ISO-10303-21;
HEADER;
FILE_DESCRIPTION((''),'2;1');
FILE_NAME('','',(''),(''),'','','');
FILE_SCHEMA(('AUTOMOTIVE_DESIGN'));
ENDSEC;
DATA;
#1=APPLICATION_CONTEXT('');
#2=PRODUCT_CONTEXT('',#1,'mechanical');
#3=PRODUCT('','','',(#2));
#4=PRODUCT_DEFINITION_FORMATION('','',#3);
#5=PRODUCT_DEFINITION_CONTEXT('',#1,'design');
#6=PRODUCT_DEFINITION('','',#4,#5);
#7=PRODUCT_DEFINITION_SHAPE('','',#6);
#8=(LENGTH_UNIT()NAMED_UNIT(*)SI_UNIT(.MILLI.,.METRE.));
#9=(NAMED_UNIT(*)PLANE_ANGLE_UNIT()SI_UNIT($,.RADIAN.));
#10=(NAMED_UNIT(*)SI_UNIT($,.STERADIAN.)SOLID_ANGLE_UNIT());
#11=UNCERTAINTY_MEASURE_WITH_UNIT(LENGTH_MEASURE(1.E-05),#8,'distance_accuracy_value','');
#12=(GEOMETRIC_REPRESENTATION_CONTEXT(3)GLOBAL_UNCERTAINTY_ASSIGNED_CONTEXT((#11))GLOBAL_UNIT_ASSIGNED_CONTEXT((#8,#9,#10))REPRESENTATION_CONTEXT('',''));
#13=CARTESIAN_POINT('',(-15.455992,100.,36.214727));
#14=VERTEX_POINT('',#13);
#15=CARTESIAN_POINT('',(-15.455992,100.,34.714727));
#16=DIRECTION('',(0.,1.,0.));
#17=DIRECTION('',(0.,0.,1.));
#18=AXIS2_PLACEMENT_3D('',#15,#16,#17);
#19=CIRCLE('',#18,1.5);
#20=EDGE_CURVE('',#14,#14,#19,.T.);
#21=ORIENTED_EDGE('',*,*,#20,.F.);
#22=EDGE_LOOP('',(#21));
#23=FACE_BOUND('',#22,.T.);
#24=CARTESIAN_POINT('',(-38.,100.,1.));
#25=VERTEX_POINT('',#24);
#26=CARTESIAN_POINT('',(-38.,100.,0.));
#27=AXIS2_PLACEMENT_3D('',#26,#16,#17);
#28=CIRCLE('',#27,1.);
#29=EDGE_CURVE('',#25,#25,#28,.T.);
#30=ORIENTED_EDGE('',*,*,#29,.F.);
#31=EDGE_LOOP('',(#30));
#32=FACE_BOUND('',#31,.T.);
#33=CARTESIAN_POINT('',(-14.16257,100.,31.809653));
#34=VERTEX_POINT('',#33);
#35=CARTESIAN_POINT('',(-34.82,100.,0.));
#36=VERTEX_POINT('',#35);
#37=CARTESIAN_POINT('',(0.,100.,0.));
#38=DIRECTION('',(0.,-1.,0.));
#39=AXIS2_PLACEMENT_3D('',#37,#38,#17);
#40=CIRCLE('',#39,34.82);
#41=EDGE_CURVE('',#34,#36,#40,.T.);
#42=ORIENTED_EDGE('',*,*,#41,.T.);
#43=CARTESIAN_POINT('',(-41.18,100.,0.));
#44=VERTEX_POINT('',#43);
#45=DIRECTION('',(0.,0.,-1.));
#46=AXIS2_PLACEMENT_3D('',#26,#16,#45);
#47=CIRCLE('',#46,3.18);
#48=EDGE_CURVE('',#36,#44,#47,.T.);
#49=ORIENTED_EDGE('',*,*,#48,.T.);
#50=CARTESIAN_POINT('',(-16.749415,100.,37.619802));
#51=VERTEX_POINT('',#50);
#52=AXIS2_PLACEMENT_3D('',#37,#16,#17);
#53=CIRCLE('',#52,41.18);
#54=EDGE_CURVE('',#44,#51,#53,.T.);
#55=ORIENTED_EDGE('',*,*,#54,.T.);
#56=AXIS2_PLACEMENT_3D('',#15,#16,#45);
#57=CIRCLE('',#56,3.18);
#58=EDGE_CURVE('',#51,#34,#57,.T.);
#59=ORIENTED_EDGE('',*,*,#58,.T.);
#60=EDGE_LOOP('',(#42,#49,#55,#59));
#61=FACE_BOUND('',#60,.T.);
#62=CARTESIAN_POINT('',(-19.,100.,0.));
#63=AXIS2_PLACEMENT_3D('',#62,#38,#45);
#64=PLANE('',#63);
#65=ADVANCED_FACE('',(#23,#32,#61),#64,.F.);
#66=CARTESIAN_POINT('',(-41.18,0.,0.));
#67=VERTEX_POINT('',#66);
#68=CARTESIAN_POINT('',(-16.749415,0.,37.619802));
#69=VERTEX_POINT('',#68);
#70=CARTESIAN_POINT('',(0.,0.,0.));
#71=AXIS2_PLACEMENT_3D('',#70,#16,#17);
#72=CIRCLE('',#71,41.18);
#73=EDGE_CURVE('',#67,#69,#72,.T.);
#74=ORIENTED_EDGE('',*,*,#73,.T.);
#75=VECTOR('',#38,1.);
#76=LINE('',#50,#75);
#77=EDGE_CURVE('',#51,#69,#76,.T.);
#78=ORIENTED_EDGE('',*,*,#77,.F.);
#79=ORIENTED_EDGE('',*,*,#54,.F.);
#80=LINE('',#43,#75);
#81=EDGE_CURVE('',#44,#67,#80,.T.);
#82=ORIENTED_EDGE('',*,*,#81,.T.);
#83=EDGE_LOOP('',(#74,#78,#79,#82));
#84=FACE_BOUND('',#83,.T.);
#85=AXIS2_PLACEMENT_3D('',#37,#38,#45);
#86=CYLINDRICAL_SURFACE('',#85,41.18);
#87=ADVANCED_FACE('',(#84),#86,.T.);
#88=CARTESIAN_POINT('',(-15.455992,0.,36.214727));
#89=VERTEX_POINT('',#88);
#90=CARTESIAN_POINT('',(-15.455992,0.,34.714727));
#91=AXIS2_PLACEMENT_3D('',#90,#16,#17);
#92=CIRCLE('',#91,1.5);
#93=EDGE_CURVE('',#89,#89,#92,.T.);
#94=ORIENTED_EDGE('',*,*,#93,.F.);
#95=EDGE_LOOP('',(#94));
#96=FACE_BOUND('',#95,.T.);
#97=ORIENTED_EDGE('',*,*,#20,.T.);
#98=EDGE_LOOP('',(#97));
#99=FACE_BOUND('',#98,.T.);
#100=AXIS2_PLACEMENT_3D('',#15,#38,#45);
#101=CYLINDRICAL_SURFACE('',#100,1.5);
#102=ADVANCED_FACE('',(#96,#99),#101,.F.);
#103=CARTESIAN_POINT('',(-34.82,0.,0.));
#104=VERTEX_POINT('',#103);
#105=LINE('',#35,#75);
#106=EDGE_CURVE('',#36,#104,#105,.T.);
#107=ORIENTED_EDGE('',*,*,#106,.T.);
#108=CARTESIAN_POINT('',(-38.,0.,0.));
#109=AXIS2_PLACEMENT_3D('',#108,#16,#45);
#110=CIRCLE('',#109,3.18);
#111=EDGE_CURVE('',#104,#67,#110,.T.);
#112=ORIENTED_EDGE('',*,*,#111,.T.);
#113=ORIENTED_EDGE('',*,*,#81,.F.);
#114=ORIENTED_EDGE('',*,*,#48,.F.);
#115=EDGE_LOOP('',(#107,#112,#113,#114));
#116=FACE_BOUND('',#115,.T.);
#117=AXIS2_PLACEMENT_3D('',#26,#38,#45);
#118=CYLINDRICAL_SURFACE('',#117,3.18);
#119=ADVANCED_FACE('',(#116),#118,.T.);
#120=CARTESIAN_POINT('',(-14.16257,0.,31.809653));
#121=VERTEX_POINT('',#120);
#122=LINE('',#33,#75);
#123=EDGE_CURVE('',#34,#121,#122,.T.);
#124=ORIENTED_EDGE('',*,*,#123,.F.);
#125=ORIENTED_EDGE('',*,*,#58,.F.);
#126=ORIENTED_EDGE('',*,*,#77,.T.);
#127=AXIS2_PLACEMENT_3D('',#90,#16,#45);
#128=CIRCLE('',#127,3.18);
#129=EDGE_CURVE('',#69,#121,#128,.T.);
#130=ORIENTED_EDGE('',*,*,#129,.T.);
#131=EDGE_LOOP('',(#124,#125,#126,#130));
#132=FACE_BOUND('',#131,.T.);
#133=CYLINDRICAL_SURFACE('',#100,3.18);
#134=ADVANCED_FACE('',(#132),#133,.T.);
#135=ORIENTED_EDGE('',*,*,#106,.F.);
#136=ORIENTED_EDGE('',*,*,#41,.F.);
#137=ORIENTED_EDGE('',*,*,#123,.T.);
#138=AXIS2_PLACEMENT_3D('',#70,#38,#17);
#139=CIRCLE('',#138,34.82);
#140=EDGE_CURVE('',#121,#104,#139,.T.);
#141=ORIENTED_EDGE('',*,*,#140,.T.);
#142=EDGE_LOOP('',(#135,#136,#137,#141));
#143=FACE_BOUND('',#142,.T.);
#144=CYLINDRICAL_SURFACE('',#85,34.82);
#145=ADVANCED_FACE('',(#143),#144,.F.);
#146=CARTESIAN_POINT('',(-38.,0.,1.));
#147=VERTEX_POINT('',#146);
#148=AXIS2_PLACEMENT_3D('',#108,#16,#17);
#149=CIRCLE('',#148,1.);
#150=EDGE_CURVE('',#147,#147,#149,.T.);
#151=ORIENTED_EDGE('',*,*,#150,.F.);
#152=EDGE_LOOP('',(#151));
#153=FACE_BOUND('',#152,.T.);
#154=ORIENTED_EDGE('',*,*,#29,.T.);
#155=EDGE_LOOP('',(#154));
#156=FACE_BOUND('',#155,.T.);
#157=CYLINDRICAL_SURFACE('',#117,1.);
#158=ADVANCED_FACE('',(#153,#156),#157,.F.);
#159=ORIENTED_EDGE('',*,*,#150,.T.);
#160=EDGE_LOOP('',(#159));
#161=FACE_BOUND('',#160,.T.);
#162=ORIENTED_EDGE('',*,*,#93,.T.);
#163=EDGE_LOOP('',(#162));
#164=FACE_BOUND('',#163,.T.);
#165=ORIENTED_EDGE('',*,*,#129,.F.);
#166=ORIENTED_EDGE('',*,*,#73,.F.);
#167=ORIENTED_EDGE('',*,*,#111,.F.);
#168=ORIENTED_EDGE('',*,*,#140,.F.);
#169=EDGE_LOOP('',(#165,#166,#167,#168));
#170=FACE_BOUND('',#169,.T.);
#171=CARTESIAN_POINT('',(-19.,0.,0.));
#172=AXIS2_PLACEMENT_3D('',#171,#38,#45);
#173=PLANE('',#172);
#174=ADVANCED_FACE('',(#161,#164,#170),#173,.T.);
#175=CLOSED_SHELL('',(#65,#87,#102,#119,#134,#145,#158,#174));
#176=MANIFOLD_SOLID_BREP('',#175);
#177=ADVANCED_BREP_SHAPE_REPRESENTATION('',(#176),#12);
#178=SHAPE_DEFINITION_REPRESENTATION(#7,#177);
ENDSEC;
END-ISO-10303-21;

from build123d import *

# Parameters (mm, degrees)
ESQUISSE1_R        = 1
ESQUISSE1_R_2      = 1.5
BOSS_EXTRU_1_DEPTH = 100


with BuildPart() as part:
    # Esquisse1 → Boss.-Extru.1 (new body)
    with BuildSketch(Plane(origin=(0, 0, 0), x_dir=(1, 0, 0), z_dir=(0, 1, 0))):
        with BuildLine():
            ThreePointArc((-41.18, 0), (-34.536453988, -22.428235462), (-16.749414962, -37.619801946))
            ThreePointArc((-16.749414962, -37.619801946), (-12.550917882, -36.008149915), (-14.162569912, -31.809652835))
            ThreePointArc((-14.162569912, -31.809652835), (-29.202509176, -18.964331199), (-34.82, 0))
            ThreePointArc((-34.82, 0), (-38, 3.18), (-41.18, 0))
        make_face()
        with Locations(Location((-38, 0, 0), (0, 0, 270))):
            Circle(ESQUISSE1_R, mode=Mode.SUBTRACT)
        with Locations(Location((-15.455992437, -34.71472739, 0), (0, 0, 270))):
            Circle(ESQUISSE1_R_2, mode=Mode.SUBTRACT)
    extrude(amount=BOSS_EXTRU_1_DEPTH)


solid = part.part
